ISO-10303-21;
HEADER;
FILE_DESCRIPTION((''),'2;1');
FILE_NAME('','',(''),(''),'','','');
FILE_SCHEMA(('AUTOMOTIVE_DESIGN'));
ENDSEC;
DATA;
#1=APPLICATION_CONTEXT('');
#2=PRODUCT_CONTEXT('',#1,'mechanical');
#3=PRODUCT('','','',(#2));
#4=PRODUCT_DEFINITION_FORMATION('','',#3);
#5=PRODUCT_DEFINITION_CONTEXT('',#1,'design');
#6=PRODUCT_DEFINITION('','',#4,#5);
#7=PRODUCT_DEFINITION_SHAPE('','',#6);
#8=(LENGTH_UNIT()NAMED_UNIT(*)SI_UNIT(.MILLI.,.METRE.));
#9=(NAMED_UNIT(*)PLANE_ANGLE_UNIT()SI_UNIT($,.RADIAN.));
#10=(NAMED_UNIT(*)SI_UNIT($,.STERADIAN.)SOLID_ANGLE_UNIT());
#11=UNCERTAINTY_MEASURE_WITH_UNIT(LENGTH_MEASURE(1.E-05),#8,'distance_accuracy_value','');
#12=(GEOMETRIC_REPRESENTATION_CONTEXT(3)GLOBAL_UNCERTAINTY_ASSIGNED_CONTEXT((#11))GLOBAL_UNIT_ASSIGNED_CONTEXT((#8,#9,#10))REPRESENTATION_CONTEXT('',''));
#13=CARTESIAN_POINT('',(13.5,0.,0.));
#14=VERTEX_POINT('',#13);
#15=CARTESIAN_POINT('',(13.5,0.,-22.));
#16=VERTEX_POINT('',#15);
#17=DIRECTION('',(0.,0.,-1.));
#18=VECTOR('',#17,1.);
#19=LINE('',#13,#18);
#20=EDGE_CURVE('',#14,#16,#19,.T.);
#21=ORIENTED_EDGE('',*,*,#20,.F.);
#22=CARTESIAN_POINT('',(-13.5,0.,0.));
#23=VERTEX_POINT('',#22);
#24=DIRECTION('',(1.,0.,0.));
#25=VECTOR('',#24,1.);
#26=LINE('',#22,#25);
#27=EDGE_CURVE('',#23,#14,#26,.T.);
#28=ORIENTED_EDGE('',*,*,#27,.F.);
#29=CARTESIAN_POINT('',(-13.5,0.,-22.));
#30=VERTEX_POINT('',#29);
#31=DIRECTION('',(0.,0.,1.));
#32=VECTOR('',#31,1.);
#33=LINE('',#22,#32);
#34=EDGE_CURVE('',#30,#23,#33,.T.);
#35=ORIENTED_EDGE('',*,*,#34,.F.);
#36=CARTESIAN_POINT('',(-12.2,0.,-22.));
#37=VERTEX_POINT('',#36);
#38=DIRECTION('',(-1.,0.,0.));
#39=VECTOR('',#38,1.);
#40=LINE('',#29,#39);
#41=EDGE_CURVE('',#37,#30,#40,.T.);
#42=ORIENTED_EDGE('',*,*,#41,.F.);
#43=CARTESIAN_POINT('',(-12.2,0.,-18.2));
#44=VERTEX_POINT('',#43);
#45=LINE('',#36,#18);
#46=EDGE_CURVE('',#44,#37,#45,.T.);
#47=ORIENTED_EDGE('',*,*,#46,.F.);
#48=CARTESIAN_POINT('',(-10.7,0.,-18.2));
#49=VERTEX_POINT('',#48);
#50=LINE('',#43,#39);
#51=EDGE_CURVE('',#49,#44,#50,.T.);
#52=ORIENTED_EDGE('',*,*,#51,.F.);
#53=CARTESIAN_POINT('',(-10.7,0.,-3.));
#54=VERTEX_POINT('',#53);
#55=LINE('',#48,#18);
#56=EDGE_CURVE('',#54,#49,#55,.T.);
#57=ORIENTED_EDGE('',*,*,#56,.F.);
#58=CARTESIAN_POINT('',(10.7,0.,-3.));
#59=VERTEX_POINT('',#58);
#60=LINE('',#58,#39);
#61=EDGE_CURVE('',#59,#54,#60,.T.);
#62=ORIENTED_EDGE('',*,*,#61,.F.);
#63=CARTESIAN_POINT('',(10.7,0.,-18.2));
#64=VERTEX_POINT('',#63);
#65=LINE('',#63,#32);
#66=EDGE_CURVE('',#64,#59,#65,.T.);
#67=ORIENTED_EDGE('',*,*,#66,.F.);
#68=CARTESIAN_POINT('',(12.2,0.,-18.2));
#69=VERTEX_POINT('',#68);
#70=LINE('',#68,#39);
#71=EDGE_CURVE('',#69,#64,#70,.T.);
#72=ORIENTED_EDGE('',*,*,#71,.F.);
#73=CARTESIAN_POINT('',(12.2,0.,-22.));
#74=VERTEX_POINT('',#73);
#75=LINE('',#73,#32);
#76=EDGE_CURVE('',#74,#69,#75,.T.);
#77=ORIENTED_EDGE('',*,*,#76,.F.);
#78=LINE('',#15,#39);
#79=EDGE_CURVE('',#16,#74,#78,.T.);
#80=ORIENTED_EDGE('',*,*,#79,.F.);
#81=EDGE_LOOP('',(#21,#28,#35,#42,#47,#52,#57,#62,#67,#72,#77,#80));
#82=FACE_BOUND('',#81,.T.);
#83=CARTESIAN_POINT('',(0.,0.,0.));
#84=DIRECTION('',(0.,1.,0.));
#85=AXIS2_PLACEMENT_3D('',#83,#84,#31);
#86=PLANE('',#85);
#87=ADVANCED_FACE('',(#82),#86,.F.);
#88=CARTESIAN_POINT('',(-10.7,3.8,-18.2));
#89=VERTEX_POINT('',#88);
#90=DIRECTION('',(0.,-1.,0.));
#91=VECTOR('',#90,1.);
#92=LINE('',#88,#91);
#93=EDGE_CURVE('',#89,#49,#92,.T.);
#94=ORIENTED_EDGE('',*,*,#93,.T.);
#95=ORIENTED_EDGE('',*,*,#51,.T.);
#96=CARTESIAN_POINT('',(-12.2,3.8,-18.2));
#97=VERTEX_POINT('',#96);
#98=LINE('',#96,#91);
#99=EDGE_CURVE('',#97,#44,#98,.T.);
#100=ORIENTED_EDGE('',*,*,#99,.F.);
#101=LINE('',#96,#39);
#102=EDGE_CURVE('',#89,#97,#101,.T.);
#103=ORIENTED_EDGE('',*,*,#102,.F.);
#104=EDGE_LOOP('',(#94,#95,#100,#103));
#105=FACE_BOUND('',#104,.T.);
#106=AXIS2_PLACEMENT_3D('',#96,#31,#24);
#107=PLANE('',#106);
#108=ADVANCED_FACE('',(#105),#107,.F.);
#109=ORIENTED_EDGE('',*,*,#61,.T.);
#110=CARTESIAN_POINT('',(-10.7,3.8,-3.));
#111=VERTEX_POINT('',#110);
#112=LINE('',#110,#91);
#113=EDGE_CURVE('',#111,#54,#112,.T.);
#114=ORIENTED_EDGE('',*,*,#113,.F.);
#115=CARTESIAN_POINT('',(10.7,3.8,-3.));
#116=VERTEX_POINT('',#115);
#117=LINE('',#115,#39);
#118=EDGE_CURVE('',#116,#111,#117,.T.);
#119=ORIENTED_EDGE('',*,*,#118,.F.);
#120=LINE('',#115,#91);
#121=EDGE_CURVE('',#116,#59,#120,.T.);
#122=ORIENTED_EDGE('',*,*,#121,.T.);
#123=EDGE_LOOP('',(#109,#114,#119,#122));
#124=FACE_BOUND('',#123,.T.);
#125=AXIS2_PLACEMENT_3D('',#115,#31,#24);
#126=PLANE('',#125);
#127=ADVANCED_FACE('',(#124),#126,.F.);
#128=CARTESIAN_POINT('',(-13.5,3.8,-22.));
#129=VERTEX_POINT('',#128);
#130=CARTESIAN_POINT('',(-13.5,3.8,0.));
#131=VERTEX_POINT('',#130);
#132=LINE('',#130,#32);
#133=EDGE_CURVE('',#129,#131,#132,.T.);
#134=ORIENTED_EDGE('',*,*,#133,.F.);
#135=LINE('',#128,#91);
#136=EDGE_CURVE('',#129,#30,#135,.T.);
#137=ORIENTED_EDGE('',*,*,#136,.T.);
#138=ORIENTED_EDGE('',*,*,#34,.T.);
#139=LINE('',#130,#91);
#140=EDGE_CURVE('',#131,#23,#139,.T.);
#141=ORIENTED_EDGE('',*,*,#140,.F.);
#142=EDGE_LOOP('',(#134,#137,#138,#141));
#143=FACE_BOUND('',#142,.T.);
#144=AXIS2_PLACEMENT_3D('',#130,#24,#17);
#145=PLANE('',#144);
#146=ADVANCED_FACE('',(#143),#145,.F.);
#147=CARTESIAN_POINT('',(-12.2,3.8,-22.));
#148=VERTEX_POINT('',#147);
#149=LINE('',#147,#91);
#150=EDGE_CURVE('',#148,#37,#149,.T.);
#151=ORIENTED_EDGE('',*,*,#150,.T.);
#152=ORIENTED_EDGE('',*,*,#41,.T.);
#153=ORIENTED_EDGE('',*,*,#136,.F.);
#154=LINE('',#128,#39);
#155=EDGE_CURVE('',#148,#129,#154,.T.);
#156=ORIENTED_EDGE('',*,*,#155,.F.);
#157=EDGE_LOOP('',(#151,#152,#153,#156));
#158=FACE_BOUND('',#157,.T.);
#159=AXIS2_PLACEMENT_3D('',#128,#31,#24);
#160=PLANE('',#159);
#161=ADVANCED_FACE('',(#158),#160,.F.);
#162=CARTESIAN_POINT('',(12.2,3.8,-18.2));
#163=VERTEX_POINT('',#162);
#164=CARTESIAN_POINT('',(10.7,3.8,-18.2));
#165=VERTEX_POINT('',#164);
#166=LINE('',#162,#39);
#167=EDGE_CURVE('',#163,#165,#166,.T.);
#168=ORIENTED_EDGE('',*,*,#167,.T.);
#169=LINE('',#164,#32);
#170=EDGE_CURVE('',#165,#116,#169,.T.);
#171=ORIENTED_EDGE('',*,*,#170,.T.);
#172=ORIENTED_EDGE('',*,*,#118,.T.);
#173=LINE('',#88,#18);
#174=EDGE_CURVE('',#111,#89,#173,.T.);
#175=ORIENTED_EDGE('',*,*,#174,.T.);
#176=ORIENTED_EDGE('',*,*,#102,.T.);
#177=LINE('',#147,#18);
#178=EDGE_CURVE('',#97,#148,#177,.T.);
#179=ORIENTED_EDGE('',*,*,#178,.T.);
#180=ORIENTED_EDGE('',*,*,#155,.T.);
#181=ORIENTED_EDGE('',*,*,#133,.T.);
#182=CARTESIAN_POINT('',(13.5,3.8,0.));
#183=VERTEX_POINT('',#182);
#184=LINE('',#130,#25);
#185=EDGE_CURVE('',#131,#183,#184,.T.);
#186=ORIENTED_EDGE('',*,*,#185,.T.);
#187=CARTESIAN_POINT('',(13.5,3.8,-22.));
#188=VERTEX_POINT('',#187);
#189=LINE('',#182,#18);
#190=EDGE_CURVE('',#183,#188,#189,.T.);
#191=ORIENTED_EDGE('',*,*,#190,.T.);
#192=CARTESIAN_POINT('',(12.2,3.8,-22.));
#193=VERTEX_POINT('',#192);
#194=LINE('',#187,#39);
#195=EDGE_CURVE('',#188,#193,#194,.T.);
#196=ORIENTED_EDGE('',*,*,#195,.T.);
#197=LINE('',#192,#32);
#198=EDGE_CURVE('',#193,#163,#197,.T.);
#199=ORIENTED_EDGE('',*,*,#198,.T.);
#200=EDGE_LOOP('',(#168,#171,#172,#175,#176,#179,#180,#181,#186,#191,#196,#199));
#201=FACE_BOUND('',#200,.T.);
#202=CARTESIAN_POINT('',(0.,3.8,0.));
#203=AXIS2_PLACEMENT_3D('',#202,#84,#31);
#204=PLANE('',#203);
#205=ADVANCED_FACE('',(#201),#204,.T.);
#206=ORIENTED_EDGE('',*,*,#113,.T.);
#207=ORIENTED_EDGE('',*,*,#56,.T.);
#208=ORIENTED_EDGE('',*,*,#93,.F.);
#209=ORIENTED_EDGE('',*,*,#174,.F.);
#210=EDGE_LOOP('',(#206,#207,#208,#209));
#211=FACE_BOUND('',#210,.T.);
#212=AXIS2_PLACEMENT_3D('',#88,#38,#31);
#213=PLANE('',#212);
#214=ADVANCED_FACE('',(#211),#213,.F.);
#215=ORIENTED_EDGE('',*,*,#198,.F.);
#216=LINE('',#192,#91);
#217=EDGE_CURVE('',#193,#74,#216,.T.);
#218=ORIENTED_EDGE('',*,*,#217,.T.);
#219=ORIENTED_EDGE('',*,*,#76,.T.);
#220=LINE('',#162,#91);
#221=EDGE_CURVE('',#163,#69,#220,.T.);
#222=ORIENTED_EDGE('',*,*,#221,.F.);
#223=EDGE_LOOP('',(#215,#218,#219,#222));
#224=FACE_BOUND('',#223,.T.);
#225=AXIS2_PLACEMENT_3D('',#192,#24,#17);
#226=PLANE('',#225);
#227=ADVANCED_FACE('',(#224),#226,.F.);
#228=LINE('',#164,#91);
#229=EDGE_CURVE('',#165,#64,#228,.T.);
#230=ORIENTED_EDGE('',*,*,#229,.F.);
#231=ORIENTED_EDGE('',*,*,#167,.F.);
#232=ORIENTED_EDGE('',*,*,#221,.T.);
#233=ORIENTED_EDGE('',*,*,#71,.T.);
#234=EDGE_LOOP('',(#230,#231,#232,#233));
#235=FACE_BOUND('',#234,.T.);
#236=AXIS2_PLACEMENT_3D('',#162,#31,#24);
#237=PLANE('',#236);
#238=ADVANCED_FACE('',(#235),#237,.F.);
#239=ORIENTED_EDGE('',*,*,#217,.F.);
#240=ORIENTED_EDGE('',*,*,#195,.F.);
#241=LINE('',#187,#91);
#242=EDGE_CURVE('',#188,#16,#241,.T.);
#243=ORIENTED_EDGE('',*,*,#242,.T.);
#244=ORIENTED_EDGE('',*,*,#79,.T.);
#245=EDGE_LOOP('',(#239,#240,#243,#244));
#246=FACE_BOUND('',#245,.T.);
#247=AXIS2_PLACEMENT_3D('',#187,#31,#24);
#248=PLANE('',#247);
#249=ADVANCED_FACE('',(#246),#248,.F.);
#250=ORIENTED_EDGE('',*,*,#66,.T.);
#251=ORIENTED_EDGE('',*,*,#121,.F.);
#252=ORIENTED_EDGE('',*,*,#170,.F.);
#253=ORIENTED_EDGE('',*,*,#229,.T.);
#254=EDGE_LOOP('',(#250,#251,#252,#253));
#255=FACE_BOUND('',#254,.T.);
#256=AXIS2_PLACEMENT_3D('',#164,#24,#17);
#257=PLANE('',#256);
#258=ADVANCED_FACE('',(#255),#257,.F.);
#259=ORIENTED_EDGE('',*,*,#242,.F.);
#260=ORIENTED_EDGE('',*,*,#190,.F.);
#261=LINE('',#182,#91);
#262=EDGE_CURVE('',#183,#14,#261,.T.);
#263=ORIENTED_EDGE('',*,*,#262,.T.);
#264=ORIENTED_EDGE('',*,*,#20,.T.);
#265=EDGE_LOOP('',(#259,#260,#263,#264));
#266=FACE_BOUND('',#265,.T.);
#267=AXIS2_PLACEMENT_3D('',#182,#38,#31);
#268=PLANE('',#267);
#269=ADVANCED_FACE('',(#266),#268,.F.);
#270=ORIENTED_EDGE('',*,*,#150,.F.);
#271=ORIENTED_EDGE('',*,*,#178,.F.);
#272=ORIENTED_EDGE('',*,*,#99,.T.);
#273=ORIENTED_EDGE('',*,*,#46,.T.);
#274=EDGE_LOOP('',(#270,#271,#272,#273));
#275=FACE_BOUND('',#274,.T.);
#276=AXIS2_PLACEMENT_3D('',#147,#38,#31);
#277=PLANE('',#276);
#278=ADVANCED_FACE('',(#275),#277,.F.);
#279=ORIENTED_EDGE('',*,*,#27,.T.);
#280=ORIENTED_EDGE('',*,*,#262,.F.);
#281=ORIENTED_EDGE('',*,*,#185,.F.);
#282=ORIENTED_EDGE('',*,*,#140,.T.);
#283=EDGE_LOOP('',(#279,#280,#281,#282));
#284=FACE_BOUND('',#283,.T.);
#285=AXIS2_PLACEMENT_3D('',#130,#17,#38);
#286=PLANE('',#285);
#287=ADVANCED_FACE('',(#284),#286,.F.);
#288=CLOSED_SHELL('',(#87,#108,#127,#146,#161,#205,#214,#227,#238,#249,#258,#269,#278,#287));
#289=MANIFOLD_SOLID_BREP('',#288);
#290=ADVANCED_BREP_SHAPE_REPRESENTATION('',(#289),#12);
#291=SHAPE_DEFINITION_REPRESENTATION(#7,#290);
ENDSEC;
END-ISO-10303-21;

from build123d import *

# Parameters (mm, degrees)
BOSS_EXTRUDE1_DEPTH = 3.8


with BuildPart() as part:
    # Sketch1 → Boss-Extrude1 (new body)
    with BuildSketch(Plane(origin=(0, 0, 0), x_dir=(1, 0, 0), z_dir=(0, 1, 0))):
        Polygon((-13.5, 0), (13.5, 0), (13.5, 22), (12.2, 22), (12.2, 18.2), (10.7, 18.2), (10.7, 3), (-10.7, 3), (-10.7, 18.2), (-12.2, 18.2), (-12.2, 22), (-13.5, 22), align=None)
    extrude(amount=BOSS_EXTRUDE1_DEPTH)


solid = part.part
